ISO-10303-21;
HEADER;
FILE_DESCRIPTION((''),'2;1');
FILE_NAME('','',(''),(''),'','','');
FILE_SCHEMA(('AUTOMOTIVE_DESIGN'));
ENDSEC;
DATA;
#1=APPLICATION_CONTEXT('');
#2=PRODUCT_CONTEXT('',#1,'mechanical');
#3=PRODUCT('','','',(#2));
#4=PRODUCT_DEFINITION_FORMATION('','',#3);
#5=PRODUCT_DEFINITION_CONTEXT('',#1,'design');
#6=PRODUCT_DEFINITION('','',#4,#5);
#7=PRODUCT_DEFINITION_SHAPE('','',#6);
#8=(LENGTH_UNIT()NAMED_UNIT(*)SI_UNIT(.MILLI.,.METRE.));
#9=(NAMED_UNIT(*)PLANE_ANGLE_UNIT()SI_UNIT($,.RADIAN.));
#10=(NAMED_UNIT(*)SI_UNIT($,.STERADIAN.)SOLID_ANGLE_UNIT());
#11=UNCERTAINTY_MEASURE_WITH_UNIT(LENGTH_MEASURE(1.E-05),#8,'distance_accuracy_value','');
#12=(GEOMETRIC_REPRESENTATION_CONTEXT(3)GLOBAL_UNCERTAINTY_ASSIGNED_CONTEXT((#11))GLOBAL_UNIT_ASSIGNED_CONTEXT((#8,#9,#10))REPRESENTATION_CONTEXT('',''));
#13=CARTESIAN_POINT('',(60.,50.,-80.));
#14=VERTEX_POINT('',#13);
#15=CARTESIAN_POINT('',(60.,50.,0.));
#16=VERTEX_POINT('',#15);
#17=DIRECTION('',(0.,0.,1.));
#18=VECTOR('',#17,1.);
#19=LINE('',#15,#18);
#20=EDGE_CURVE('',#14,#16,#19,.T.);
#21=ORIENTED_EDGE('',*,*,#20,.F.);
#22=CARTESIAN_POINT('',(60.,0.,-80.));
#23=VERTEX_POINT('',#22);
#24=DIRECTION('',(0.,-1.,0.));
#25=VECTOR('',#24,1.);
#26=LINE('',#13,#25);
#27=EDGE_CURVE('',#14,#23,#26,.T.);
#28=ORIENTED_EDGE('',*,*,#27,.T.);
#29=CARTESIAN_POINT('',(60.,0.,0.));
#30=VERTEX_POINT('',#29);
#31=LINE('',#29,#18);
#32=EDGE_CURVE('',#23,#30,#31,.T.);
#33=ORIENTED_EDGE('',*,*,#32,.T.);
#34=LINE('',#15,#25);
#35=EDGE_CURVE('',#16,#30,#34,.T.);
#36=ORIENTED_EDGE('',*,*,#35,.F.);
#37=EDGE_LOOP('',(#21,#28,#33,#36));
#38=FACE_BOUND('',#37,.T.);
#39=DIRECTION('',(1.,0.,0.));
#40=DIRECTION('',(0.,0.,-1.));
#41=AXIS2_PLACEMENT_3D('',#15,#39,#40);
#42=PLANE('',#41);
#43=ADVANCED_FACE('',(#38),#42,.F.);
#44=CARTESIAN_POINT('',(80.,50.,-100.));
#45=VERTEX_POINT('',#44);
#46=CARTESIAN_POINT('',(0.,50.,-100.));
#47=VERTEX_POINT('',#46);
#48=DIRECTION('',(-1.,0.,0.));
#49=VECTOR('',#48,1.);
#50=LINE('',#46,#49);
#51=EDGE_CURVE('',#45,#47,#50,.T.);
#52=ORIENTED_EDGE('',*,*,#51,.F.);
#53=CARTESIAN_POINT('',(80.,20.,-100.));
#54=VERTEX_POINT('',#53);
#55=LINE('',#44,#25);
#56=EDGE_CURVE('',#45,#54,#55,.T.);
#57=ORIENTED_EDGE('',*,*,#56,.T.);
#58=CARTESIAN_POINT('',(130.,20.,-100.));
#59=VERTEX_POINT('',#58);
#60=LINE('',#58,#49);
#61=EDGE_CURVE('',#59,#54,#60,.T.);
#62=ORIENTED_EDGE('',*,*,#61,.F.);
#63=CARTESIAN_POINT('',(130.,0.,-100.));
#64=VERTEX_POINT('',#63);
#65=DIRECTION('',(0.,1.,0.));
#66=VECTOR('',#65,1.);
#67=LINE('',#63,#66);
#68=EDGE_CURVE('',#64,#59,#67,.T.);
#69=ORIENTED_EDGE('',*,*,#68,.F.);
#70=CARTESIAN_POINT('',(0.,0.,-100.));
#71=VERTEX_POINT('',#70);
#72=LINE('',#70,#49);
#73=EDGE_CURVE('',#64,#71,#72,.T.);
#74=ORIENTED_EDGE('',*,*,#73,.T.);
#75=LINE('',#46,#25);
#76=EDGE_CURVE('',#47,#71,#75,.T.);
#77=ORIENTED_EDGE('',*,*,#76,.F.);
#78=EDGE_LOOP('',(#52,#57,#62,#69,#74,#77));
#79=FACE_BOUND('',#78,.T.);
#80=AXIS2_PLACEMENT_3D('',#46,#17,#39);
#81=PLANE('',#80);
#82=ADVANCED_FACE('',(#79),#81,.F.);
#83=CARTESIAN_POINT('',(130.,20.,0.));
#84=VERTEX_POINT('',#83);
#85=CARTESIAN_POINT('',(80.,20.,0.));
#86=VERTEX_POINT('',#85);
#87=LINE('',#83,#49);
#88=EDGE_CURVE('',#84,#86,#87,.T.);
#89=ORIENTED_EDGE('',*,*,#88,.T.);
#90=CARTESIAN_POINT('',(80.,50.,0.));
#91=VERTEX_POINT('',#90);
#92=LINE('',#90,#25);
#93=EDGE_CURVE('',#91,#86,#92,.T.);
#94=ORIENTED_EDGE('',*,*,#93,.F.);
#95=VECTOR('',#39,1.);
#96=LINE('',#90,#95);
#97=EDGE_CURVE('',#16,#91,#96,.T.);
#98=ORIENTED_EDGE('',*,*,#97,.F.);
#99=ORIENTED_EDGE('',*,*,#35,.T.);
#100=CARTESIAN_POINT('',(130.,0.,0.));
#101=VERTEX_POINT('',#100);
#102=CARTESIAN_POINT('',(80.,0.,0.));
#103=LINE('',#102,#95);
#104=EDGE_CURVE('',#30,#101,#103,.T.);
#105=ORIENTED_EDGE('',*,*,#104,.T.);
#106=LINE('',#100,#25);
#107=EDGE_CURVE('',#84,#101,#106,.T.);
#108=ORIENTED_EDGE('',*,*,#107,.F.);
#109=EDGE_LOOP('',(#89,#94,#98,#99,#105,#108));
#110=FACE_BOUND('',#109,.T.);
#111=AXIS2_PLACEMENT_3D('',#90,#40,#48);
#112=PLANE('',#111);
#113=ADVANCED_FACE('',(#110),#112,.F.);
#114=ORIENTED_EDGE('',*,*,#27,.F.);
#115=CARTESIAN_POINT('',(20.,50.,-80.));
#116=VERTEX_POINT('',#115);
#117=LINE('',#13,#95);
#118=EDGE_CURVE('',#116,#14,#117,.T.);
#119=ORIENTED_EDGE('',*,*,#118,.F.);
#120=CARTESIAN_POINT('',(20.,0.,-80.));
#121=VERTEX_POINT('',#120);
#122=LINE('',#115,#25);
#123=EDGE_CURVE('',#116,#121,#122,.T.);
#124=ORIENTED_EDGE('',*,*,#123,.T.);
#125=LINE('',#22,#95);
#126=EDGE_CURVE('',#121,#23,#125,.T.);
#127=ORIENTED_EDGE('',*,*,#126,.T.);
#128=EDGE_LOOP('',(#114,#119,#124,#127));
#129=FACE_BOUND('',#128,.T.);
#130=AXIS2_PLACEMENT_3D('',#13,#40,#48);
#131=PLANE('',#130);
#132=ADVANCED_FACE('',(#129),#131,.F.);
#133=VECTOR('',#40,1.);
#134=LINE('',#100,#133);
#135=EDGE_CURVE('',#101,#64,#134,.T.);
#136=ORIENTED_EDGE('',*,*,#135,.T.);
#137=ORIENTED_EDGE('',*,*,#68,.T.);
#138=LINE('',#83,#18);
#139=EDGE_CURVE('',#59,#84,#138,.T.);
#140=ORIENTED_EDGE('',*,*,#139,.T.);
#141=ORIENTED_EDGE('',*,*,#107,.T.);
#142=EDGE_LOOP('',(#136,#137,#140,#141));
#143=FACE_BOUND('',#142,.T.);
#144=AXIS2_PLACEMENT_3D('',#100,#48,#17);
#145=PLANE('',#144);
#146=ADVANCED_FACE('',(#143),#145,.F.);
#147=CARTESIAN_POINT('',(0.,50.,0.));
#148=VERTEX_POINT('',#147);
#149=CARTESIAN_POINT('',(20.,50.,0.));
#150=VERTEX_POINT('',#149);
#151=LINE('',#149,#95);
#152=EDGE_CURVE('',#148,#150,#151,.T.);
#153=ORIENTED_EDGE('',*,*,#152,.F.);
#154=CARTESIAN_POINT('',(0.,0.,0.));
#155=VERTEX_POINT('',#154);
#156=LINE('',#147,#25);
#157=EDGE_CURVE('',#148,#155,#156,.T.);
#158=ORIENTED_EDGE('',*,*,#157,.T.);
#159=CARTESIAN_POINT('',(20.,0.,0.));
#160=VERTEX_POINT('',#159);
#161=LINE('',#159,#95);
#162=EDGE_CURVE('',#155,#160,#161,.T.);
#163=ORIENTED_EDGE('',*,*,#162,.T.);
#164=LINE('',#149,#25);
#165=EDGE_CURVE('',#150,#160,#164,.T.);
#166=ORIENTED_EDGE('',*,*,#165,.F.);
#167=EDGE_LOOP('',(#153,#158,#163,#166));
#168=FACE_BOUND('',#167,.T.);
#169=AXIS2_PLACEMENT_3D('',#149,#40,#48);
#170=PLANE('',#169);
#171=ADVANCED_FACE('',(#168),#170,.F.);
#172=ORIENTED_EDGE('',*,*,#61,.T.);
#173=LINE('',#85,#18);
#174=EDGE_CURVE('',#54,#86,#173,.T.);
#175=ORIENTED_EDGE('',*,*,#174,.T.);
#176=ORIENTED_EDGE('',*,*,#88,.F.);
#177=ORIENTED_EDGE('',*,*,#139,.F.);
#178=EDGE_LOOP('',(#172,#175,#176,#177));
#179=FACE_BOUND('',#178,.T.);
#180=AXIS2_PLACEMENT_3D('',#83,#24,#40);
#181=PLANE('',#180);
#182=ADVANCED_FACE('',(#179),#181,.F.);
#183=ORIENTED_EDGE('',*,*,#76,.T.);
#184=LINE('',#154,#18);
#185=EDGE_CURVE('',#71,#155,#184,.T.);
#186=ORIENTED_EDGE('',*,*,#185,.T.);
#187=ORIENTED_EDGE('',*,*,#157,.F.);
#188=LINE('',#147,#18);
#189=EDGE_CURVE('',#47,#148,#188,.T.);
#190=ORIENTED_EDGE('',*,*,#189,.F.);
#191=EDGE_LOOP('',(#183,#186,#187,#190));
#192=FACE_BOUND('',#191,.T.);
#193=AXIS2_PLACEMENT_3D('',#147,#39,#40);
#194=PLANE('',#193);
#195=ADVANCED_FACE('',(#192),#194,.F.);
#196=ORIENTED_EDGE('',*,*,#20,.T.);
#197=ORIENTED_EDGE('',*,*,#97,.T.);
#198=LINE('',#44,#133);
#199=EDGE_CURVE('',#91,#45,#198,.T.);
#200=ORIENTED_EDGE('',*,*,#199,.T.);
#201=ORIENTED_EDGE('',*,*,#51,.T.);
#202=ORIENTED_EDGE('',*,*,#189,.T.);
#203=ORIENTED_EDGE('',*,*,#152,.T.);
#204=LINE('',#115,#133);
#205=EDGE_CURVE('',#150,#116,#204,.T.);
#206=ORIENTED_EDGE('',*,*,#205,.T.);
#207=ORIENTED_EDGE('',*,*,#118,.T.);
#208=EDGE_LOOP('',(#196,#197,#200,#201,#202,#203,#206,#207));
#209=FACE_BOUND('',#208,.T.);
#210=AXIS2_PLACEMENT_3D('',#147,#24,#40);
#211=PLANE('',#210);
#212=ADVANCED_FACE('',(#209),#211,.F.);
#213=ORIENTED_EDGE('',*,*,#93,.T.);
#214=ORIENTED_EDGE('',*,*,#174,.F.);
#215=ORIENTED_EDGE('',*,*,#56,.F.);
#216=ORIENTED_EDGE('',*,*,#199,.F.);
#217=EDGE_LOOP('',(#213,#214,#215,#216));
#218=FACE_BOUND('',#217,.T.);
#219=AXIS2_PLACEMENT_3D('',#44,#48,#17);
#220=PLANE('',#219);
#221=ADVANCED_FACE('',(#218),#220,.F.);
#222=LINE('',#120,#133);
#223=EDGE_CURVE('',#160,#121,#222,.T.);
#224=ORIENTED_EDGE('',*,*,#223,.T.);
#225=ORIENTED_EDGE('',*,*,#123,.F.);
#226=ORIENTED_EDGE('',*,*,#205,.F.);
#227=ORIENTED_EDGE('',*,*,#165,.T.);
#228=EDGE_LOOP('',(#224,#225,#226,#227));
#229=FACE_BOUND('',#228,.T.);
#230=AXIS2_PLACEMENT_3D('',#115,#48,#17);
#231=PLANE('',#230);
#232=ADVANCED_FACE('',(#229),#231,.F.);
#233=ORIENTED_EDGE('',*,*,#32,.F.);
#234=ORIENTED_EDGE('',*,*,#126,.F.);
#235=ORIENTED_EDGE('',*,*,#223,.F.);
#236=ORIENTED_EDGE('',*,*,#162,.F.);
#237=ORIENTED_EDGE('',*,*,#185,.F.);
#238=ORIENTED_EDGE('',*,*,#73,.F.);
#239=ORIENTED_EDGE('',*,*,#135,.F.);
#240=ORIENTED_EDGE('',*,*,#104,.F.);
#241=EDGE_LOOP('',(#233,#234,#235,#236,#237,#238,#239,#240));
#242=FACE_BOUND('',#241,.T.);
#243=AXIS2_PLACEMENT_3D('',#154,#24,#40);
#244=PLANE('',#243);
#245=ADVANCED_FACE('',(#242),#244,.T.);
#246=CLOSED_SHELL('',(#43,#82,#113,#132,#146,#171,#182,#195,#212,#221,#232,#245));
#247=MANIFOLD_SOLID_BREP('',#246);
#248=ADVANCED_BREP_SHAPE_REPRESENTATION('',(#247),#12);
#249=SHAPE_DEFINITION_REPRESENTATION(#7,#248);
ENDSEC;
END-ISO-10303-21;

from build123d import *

# Parameters (mm, degrees)
BOSS_EXTRUDE1_DEPTH = 50
SKETCH3_W           = 100
SKETCH3_H           = 20
BOSS_EXTRUDE2_DEPTH = 50


with BuildPart() as part:
    # Sketch2 → Boss-Extrude1 (new body)
    with BuildSketch(Plane(origin=(0, 0, 0), x_dir=(1, 0, 0), z_dir=(0, 1, 0))):
        Polygon((0, 0), (0, 100), (80, 100), (80, 0), (60, 0), (60, 80), (20, 80), (20, 0), align=None)
    extrude(amount=BOSS_EXTRUDE1_DEPTH)

    # Sketch3 → Boss-Extrude2 (add)
    with BuildSketch(Plane(origin=(80, 0, 0), x_dir=(0, 0, -1), z_dir=(1, 0, 0))):
        with Locations((50, 10)):
            Rectangle(SKETCH3_W, SKETCH3_H)
    extrude(amount=BOSS_EXTRUDE2_DEPTH)


solid = part.part
